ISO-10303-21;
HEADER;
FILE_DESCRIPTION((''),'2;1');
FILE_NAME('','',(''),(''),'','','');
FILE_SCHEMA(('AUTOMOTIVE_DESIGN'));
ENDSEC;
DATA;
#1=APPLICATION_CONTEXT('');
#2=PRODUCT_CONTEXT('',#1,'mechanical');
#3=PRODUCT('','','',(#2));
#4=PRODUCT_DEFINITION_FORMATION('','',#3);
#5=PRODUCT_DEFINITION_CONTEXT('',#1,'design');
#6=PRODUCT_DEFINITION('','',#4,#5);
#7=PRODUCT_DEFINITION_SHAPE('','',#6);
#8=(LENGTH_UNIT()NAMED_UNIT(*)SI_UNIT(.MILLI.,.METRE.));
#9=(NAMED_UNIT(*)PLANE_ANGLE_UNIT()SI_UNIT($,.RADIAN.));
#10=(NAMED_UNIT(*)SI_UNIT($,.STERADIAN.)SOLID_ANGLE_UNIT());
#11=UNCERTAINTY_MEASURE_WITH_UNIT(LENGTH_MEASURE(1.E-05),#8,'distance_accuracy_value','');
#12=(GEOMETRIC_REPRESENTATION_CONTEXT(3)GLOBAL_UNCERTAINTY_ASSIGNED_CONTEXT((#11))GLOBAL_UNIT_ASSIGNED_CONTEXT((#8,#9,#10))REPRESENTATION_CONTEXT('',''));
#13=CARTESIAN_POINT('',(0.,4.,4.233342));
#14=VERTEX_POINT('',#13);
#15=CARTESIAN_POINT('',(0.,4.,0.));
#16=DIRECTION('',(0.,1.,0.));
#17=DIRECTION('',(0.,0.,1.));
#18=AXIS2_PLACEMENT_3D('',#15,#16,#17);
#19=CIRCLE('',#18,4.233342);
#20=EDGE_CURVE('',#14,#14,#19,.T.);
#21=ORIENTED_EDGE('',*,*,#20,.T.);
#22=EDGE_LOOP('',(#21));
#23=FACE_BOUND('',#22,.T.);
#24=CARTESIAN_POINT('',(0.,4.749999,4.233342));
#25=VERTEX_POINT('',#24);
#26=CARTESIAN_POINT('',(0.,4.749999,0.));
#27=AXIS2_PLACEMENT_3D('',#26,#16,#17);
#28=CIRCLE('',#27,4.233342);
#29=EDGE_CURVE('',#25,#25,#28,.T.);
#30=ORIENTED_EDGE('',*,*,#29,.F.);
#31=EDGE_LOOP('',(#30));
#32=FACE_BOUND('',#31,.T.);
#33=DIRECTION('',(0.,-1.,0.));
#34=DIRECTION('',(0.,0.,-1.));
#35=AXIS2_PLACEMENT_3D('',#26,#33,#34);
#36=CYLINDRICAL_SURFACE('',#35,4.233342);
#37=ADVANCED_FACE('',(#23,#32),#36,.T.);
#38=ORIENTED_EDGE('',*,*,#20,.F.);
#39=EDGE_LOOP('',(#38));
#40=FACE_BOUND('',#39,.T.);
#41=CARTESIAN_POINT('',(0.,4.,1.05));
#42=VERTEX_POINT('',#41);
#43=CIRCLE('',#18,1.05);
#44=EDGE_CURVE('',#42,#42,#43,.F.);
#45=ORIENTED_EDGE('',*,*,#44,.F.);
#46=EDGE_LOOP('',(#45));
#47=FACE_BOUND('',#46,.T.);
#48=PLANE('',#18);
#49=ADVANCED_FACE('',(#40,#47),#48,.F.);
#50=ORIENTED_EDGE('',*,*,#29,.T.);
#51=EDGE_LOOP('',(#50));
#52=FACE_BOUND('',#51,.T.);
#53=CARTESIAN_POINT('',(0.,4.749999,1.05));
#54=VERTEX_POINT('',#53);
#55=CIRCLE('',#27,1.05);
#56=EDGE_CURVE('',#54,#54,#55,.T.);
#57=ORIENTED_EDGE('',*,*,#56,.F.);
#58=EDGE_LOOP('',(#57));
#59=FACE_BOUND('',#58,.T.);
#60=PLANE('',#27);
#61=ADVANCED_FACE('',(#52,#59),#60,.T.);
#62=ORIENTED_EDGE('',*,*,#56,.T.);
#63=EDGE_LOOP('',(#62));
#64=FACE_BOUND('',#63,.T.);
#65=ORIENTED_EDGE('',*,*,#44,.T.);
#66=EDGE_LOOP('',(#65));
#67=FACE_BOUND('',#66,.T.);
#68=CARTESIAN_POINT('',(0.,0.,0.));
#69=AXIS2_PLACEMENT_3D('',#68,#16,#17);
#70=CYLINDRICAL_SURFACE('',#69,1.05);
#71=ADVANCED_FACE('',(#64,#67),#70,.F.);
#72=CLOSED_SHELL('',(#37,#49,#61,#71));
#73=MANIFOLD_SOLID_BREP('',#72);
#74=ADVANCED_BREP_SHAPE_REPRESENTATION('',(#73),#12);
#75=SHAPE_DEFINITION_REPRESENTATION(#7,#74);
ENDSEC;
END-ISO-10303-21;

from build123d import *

# Parameters (mm, degrees)
SKETCH1_R           = 2.921
BOSS_EXTRUDE1_DEPTH = 4.000000128
SKETCH2_R           = 4.2333418
BOSS_EXTRUDE2_DEPTH = 0.7499985
SKETCH3_R           = 1.05
CUT_EXTRUDE1_DEPTH  = 8.642306756
SKETCH4_R           = 2.921
CUT_EXTRUDE2_DEPTH  = 4.000000128


with BuildPart() as part:
    # Sketch1 → Boss-Extrude1 (new body)
    with BuildSketch(Plane(origin=(0, 0, 0), x_dir=(1, 0, 0), z_dir=(0, 1, 0))):
        with Locations(Location((0, 0, 0), (0, 0, 270))):
            Circle(SKETCH1_R)
    extrude(amount=BOSS_EXTRUDE1_DEPTH)

    # Sketch2 → Boss-Extrude2 (add)
    with BuildSketch(Plane(origin=(0, 4.000000128, 0), x_dir=(1, 0, 0), z_dir=(0, 1, 0))):
        with Locations(Location((0, 0, 0), (0, 0, 270))):
            Circle(SKETCH2_R)
    extrude(amount=BOSS_EXTRUDE2_DEPTH)

    # Sketch3 → Cut-Extrude1 (cut, through all)
    with BuildSketch(Plane(origin=(0, 4.749998628, 0), x_dir=(1, 0, 0), z_dir=(0, 1, 0))):
        with Locations(Location((0, 0, 0), (0, 0, 270))):
            Circle(SKETCH3_R)
    extrude(amount=-CUT_EXTRUDE1_DEPTH, mode=Mode.SUBTRACT)

    # Sketch4 → Cut-Extrude2 (cut)
    with BuildSketch(Plane.XZ):
        Circle(SKETCH4_R)
    extrude(amount=-CUT_EXTRUDE2_DEPTH, mode=Mode.SUBTRACT)


solid = part.part
